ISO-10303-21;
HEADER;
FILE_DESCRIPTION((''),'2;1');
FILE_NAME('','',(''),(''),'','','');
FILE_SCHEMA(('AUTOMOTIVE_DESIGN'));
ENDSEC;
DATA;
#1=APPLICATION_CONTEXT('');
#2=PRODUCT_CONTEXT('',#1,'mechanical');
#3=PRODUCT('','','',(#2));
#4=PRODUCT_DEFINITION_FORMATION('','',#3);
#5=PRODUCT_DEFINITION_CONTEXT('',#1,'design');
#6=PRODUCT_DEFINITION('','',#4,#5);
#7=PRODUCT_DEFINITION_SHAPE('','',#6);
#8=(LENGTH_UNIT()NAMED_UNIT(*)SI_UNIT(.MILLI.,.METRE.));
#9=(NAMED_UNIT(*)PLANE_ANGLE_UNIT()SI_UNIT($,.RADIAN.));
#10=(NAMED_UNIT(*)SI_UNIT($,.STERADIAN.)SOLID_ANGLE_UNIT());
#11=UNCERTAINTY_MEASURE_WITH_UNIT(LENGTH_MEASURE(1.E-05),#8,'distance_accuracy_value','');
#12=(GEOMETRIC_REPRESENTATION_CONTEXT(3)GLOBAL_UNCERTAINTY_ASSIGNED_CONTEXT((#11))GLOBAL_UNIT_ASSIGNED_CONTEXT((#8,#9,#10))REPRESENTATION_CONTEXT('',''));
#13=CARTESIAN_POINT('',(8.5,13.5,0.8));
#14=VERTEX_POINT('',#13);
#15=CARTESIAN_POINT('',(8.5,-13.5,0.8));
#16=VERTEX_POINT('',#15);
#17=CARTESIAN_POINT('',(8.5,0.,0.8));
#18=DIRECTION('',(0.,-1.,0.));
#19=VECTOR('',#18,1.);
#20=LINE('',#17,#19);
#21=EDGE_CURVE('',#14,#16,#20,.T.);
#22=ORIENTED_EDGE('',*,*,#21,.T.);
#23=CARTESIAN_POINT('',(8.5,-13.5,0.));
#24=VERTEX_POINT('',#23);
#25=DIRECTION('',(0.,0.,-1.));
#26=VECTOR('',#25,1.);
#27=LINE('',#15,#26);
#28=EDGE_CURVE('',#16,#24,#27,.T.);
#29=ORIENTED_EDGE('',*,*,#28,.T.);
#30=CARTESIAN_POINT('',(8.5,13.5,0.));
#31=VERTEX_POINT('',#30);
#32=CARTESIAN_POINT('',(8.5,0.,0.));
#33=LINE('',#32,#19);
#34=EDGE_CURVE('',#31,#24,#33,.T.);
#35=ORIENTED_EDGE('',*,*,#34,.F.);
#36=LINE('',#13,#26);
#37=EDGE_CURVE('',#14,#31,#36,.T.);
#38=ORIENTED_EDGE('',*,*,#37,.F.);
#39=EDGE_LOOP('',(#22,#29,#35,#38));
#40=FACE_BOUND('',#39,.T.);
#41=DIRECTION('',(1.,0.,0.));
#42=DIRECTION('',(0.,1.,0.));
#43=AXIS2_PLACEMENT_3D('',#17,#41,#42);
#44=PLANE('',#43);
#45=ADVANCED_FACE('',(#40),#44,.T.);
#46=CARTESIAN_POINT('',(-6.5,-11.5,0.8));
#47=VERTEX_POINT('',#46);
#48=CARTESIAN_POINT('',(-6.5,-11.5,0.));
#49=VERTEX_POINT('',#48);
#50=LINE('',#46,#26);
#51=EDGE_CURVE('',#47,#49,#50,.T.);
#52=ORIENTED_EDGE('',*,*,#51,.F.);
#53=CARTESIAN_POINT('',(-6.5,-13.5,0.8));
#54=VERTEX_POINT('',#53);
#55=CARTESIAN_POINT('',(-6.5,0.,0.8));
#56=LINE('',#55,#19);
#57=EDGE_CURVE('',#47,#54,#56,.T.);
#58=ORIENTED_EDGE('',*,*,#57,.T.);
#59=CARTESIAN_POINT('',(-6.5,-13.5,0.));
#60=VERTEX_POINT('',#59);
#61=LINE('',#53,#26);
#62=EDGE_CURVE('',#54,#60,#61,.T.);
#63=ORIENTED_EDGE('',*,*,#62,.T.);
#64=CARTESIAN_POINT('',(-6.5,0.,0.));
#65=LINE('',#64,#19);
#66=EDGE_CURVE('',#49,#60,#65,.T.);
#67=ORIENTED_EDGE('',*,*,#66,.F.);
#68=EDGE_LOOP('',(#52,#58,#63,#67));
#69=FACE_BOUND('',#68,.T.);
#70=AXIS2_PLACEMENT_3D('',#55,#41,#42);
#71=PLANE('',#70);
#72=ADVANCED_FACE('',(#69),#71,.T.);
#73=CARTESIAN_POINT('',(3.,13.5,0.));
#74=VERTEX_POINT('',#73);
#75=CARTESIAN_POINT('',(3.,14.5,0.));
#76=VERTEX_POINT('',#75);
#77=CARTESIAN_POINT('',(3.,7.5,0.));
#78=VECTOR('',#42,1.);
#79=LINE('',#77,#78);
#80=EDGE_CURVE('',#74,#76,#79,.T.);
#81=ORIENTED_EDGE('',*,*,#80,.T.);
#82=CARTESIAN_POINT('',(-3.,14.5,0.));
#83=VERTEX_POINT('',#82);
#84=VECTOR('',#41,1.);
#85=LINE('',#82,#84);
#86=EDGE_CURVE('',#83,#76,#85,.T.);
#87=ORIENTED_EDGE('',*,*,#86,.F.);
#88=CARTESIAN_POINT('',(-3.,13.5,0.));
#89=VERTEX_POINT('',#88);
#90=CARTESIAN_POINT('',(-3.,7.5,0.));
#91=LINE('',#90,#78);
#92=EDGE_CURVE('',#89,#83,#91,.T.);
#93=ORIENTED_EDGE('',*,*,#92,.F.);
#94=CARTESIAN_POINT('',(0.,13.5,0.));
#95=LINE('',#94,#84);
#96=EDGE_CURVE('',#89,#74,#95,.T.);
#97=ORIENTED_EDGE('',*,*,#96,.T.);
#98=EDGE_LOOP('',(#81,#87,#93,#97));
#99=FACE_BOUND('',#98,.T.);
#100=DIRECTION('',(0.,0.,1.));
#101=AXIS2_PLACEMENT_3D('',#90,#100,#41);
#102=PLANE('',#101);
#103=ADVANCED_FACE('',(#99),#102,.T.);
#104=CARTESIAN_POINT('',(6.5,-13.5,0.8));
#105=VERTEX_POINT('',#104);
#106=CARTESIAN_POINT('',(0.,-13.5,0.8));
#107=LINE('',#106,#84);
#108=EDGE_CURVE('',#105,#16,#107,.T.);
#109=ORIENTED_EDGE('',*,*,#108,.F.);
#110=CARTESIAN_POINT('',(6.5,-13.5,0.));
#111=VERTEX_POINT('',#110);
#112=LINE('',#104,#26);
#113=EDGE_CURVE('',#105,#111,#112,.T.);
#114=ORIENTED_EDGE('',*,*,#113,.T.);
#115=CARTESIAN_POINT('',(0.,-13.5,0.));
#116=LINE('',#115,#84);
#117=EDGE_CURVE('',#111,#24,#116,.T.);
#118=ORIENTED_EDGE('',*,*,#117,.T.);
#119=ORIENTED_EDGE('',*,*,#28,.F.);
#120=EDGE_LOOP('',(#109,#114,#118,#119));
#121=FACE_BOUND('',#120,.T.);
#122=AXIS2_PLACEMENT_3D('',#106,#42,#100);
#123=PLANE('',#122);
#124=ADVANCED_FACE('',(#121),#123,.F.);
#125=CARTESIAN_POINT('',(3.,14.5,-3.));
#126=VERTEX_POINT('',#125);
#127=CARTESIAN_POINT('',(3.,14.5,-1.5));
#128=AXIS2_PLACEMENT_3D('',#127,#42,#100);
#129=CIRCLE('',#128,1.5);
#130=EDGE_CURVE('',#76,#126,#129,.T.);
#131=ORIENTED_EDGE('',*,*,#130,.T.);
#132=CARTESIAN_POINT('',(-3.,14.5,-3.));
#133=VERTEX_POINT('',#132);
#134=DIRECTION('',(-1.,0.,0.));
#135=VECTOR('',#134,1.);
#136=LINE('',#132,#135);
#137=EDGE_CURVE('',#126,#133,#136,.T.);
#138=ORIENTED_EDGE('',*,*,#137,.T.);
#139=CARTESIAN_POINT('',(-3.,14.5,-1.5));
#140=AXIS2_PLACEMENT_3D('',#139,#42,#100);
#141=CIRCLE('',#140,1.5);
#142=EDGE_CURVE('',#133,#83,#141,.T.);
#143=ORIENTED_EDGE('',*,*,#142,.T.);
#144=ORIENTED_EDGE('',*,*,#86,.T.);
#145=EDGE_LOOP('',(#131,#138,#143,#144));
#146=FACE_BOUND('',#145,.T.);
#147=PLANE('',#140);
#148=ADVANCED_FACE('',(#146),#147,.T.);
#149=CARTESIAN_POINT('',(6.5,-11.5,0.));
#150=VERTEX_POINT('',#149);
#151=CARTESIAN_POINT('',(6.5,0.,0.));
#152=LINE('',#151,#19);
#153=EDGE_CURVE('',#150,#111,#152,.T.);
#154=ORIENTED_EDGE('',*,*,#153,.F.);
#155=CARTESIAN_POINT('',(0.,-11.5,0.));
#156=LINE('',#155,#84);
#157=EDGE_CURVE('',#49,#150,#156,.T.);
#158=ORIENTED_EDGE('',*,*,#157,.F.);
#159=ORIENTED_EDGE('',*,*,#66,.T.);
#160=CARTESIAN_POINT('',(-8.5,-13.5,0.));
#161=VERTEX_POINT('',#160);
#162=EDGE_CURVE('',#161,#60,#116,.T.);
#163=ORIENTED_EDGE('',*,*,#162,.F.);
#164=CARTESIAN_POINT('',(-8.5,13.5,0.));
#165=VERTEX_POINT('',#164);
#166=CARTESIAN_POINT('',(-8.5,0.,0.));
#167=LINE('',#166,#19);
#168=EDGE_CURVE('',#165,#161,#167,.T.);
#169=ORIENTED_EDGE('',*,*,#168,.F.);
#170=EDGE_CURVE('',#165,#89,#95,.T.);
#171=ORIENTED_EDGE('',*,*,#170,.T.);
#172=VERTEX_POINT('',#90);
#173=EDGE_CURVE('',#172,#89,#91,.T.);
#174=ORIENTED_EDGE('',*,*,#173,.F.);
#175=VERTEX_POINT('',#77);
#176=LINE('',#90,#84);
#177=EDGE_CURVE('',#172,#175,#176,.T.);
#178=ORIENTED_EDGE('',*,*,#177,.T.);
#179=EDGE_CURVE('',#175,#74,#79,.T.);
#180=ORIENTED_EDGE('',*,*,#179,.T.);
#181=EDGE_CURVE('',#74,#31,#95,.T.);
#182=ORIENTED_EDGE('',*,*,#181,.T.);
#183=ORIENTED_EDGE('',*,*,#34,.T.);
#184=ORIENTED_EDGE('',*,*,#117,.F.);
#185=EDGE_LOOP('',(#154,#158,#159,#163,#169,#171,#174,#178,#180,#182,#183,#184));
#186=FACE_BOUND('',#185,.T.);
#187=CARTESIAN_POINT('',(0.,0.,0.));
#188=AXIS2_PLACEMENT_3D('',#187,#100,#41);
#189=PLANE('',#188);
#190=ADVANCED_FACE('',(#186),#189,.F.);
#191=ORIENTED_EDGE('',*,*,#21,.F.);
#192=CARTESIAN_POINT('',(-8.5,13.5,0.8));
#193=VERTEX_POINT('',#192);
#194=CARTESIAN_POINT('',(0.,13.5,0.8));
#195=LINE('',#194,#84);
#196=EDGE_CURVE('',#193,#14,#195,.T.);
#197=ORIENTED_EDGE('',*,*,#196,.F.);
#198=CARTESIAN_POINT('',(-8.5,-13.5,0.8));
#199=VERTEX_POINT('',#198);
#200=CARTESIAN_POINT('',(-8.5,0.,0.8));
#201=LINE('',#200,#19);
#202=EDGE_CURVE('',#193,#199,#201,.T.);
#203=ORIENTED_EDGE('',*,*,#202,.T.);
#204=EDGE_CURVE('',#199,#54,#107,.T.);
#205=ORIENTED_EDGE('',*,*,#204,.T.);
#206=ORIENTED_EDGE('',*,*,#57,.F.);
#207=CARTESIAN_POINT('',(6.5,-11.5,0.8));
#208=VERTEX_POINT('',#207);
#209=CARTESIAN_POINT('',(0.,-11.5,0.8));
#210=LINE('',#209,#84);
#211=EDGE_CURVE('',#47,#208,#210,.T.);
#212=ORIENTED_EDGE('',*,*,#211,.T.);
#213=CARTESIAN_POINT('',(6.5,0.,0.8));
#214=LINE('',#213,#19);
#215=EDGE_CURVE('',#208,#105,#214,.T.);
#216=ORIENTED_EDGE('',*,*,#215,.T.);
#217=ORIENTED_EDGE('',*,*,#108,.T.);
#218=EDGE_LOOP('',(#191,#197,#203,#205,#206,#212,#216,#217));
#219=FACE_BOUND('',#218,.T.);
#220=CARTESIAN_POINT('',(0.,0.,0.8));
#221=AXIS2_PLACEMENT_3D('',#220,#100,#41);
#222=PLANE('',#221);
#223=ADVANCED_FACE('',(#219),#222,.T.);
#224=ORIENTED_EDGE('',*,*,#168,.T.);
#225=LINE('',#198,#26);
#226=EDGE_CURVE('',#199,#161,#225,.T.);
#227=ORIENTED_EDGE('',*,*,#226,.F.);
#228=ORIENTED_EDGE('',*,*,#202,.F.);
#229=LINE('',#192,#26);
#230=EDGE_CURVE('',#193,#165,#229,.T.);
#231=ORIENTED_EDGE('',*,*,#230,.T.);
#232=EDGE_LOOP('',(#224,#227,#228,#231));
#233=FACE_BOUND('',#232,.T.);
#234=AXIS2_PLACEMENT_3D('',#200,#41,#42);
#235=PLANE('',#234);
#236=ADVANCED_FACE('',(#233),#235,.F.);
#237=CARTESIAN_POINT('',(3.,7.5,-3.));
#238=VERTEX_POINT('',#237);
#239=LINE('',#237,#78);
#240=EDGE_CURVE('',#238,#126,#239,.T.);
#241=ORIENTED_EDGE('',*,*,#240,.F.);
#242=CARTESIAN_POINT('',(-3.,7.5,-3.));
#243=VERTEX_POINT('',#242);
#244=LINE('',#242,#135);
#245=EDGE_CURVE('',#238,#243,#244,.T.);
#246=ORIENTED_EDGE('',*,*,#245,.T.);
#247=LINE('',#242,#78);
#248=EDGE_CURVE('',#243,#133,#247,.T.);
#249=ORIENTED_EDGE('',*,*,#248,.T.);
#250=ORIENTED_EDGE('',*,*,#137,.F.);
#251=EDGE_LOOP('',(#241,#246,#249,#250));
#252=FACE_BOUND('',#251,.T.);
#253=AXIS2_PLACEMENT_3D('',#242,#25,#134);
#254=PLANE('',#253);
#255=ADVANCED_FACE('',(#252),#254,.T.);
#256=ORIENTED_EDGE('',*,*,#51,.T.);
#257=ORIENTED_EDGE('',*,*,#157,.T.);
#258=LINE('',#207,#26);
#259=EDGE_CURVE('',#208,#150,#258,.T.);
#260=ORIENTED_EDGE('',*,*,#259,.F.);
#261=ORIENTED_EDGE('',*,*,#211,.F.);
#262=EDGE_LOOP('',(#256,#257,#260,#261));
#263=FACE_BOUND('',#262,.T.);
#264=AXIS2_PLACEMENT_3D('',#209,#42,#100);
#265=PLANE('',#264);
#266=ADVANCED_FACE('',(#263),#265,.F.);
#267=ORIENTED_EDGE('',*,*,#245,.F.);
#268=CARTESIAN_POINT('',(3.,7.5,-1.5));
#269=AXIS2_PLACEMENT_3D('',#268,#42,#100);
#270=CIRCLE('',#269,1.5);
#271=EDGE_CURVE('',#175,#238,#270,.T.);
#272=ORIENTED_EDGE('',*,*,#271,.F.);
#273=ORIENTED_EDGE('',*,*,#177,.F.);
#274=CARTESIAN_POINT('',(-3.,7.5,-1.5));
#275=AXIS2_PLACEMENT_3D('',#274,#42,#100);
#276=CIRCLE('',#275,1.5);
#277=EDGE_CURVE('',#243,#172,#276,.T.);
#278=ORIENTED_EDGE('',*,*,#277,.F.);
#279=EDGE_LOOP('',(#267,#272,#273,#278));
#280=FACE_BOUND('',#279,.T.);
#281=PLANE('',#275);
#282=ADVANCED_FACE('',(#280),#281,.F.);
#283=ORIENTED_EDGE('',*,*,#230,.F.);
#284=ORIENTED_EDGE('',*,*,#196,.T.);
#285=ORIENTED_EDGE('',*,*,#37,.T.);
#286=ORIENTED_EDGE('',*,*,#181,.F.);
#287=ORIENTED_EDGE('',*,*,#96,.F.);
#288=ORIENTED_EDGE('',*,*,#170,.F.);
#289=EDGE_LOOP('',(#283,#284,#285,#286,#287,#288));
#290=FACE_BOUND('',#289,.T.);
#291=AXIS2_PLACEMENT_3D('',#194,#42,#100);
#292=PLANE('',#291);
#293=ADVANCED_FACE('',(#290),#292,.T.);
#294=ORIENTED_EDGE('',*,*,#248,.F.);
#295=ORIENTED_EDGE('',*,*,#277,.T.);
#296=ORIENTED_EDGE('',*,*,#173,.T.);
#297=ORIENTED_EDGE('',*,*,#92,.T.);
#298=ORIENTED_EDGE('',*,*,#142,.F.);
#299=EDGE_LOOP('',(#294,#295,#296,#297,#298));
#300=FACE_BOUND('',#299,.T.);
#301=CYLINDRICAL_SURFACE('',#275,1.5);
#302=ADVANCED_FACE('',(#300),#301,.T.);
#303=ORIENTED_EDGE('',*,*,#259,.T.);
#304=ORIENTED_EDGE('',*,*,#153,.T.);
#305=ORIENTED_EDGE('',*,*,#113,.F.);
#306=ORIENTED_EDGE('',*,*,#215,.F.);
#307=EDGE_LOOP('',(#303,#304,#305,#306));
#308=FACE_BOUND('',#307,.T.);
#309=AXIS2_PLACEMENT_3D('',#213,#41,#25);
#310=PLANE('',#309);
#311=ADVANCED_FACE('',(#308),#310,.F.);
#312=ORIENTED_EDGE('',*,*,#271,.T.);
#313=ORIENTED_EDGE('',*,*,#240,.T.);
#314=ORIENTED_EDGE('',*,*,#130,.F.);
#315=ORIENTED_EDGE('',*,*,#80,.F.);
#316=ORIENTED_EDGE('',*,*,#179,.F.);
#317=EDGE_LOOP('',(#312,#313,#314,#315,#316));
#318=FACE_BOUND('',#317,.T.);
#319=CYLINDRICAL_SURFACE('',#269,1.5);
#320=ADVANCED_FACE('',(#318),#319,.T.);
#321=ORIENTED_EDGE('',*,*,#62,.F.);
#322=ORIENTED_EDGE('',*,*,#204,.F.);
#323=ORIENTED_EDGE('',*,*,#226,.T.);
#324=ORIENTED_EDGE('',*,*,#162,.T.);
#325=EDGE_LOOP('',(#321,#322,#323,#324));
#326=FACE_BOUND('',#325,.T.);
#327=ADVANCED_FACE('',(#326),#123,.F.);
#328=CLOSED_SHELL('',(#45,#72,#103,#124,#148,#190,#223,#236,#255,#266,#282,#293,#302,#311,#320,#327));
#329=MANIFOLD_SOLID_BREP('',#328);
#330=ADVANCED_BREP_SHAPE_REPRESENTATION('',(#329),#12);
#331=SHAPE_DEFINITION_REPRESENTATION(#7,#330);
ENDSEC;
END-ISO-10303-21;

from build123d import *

# Parameters (mm, degrees)
RESSALTO_EXTRUS_O1_DEPTH      = 0.8
RESSALTO_EXTRUS_O2_DEPTH      = 1
RESSALTO_EXTRUS_O2_DEPTH_BACK = 6


with BuildPart() as part:
    # Esboço1 → Ressalto-extrusão1 (new body)
    with BuildSketch(Plane.XY):
        Polygon((8.5, 13.5), (-8.5, 13.5), (-8.5, -13.5), (-6.5, -13.5), (-6.5, -11.5), (6.5, -11.5), (6.5, -13.5), (8.5, -13.5), align=None)
    extrude(amount=RESSALTO_EXTRUS_O1_DEPTH)

    # Esboço3 → Ressalto-extrusão2 (add, two sides)
    with BuildSketch(Plane(origin=(0, 13.5, 0), x_dir=(1, 0, 0), z_dir=(0, 1, 0))) as ressalto_extrus_o2_sk:
        with BuildLine():
            Line((-3, 3), (3, 3))
            ThreePointArc((3, 3), (4.5, 1.5), (3, 0))
            Line((3, 0), (-3, 0))
            ThreePointArc((-3, 0), (-4.5, 1.5), (-3, 3))
        make_face()
    extrude(amount=RESSALTO_EXTRUS_O2_DEPTH)
    extrude(ressalto_extrus_o2_sk.sketch, amount=-RESSALTO_EXTRUS_O2_DEPTH_BACK)


solid = part.part
